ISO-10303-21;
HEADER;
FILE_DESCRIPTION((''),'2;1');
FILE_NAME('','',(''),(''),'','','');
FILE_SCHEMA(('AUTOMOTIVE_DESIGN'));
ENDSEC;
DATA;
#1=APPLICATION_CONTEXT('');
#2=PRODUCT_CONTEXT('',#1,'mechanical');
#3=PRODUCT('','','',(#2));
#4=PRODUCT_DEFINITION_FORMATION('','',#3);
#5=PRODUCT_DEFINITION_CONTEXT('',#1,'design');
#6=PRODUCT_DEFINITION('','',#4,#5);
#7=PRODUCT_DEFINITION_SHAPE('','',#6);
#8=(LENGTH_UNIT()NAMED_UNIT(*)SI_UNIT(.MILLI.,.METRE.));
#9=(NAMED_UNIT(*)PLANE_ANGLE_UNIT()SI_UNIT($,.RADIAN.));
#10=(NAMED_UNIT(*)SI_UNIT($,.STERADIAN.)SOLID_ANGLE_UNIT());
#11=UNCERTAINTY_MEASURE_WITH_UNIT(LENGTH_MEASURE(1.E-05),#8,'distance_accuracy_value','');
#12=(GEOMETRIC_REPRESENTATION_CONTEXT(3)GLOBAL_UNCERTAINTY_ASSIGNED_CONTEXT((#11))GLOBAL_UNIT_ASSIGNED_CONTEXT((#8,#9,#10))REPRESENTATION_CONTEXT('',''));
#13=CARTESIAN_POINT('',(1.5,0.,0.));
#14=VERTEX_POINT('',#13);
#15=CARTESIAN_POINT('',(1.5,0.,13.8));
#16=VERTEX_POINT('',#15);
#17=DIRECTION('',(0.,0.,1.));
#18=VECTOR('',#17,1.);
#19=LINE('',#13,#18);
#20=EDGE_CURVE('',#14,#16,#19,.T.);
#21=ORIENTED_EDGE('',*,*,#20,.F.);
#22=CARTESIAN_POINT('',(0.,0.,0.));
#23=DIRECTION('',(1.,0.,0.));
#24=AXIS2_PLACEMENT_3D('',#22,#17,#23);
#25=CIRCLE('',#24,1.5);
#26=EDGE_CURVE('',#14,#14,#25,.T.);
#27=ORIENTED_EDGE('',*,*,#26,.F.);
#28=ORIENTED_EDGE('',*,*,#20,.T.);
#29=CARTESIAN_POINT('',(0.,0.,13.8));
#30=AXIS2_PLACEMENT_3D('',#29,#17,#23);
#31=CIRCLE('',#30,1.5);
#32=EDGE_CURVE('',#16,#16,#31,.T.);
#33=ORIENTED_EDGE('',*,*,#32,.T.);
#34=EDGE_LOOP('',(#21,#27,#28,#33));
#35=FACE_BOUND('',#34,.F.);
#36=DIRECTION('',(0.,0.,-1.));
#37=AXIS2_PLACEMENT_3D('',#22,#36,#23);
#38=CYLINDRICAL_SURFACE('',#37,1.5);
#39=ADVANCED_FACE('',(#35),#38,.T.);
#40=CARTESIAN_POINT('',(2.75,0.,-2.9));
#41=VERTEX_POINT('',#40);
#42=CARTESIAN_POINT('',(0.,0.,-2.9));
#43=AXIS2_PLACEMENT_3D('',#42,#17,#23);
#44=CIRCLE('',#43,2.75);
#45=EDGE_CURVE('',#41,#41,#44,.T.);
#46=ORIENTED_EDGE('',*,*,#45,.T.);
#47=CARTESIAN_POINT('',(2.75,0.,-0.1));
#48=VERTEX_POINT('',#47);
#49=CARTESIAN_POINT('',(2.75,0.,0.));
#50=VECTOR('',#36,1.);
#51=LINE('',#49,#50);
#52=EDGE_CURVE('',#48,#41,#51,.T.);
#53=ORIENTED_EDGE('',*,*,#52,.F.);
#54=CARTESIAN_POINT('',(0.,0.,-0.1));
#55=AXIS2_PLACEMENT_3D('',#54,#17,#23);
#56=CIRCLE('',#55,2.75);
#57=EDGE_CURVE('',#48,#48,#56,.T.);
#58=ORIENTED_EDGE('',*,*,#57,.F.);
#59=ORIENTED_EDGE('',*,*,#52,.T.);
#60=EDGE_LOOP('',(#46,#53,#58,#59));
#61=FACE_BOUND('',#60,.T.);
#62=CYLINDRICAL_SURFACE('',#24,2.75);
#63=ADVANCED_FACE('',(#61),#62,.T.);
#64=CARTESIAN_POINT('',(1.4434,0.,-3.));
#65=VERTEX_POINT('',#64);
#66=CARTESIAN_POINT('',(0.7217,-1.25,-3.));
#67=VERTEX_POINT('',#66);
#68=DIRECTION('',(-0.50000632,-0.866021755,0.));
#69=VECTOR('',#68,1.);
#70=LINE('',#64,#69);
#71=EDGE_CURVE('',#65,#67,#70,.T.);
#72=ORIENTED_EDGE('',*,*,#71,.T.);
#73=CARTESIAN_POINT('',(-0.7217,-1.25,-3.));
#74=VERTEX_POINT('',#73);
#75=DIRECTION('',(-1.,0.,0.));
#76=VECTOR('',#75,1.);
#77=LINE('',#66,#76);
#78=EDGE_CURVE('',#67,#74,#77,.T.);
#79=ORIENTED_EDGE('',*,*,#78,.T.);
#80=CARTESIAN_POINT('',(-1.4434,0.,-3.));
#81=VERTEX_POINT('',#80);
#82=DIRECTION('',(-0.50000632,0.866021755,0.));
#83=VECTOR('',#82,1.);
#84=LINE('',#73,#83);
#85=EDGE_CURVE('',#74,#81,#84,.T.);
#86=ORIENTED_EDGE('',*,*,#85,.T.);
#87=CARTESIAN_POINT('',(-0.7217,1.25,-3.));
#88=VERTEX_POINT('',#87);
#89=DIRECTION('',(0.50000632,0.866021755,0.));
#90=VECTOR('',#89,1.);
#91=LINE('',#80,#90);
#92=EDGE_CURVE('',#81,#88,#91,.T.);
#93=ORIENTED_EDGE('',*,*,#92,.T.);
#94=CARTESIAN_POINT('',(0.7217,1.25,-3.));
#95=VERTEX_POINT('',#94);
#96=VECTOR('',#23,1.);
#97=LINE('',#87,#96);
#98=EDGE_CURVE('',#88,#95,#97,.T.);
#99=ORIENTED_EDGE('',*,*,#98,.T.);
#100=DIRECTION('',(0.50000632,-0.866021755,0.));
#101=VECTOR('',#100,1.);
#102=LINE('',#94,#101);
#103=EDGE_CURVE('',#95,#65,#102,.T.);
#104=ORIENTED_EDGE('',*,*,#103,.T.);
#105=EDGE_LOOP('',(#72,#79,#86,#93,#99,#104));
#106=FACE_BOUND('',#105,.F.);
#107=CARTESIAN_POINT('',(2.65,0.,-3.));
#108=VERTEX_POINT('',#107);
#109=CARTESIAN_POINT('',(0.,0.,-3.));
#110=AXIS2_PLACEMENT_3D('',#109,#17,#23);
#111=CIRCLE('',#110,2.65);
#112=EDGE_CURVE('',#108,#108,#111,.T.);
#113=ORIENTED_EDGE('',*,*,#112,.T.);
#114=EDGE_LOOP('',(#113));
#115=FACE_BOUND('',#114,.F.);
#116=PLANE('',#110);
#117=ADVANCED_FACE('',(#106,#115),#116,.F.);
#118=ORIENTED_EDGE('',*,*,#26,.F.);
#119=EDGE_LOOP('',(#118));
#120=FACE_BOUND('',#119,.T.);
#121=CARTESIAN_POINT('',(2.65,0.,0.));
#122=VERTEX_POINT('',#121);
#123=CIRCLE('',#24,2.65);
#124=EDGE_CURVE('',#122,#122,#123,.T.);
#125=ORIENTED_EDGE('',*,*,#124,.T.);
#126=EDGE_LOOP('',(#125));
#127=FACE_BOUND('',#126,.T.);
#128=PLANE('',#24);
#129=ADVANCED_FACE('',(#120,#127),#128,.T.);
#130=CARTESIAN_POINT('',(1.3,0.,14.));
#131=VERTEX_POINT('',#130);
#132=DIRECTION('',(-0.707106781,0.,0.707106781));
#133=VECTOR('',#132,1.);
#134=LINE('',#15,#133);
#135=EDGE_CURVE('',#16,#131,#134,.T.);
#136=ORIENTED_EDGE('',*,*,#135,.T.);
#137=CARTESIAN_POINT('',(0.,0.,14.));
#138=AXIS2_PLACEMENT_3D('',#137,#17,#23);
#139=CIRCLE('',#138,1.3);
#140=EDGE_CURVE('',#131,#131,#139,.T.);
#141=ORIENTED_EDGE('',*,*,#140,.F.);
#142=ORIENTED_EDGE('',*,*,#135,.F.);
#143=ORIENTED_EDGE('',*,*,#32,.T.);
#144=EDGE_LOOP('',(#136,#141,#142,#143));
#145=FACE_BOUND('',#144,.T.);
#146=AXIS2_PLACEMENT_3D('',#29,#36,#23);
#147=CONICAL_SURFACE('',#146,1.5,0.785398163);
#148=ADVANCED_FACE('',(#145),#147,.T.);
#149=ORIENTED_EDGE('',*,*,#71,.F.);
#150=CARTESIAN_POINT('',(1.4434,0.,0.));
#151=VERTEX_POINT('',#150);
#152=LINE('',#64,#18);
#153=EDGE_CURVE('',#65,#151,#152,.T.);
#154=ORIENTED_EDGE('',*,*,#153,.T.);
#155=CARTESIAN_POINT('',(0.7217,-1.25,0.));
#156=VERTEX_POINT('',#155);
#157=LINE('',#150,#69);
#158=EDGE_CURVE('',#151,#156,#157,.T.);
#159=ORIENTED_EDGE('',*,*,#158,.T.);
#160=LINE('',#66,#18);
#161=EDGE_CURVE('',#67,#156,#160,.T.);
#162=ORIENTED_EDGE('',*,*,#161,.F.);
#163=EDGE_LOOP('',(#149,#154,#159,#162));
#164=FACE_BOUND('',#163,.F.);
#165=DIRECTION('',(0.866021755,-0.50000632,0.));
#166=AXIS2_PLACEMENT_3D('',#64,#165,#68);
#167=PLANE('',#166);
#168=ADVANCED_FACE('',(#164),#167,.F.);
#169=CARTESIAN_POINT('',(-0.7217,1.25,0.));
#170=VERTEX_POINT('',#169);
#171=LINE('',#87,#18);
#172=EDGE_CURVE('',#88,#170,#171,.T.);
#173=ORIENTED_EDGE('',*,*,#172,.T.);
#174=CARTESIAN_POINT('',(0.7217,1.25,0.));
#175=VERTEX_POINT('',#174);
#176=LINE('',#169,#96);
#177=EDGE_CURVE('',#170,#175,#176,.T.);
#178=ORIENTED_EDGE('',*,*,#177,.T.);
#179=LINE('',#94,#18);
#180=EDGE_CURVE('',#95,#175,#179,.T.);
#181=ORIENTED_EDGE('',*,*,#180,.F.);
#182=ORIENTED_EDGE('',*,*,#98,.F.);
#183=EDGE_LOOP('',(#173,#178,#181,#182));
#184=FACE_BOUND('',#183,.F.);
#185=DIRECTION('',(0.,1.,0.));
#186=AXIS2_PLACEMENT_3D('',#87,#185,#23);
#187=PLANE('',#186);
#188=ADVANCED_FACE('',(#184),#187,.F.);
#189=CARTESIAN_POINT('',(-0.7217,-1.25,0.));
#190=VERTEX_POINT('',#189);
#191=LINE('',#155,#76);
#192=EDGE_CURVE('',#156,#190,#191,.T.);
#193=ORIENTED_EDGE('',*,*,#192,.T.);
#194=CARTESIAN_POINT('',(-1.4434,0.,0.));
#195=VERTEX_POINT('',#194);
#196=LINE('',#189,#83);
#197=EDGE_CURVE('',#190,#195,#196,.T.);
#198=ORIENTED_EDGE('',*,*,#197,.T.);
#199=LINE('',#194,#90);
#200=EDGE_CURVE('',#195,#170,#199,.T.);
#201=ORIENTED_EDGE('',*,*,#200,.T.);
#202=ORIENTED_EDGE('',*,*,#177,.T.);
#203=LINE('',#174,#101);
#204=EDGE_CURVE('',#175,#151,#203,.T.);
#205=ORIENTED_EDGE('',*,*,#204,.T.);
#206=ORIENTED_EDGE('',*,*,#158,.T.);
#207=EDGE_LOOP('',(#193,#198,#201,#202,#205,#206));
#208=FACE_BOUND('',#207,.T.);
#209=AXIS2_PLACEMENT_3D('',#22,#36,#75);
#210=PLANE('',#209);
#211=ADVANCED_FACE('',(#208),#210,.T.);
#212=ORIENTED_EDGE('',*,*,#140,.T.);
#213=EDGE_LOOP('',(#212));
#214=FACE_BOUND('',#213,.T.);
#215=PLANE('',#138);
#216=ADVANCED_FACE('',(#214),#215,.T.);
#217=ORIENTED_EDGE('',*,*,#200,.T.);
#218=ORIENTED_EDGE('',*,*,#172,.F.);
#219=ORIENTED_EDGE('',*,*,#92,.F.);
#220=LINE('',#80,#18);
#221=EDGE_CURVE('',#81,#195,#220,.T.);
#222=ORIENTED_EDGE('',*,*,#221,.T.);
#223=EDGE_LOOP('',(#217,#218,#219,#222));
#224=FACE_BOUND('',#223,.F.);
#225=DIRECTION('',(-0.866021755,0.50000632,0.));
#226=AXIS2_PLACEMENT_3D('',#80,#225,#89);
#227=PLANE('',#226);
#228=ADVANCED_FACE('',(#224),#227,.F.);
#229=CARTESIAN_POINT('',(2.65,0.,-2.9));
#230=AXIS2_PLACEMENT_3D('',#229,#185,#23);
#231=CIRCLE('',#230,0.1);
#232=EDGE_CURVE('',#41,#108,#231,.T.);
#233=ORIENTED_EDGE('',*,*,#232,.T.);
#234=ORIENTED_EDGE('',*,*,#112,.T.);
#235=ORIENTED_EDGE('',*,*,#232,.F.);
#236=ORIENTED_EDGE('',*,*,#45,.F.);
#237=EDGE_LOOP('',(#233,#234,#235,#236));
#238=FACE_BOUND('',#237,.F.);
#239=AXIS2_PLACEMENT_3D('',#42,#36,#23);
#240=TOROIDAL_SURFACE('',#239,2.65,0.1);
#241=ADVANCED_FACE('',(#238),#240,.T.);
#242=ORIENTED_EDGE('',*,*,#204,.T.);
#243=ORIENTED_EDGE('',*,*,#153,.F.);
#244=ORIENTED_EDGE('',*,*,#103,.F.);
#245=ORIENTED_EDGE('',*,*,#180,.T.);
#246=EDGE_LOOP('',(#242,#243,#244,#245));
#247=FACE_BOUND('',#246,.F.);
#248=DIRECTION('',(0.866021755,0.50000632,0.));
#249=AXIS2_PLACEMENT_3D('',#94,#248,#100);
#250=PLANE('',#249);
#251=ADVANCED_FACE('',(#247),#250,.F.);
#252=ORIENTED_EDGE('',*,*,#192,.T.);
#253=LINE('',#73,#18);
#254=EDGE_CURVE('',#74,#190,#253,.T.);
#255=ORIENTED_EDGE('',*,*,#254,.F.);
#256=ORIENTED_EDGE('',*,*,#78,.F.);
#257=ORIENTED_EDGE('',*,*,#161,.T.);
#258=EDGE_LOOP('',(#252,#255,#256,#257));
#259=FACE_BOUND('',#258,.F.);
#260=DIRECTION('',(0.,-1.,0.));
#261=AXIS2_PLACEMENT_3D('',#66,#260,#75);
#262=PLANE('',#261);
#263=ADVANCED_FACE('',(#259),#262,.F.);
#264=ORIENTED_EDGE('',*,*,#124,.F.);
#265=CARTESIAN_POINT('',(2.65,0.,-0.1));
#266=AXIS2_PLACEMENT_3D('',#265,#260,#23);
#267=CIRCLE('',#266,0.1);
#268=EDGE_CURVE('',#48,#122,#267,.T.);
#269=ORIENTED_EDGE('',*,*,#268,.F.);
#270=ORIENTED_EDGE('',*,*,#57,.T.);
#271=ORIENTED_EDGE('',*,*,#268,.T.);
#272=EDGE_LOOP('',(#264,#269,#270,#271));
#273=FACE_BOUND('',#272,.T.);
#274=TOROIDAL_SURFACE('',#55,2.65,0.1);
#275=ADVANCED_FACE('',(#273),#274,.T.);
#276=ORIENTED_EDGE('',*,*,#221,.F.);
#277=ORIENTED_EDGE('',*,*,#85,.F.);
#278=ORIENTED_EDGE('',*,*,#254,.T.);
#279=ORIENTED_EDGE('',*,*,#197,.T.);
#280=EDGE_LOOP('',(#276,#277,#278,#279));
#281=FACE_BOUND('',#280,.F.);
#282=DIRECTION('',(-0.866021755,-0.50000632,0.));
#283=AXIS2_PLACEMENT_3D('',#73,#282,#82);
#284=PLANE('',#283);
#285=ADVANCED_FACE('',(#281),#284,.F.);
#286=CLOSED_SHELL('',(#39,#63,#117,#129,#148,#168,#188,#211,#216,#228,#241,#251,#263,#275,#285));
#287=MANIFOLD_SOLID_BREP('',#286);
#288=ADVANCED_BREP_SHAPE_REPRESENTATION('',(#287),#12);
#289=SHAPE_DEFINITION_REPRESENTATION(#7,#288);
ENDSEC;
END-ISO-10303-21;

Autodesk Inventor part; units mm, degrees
ref_plane "YZ Plane" through (0, 0, 0) normal (1, 0, 0) x (0, 1, 0)
ref_plane "XZ Plane" through (0, 0, 0) normal (0, 1, 0) x (-1, 0, 0)
ref_plane "XY Plane" through (0, 0, 0) normal (0, 0, 1) x (1, 0, 0)
sketch "Sketch1" plane through (0, 0, 0) normal (0, 0, 1) x (1, 0, 0)
  circle A0 centre (0, 0) radius 2.75
extrude "Extrusion3" add sketch "Sketch1" against normal blind 3
sketch "Sketch2" plane through (0, 0, 0) normal (0, 0, 1) x (1, 0, 0)
  circle A0 centre (0, 0) radius 1.5
extrude "Extrusion2" add sketch "Sketch2" along normal blind 14
sketch "Sketch3" plane through (0, 0, -3) normal (0, 0, -1) x (-1, 0, 0)
  line L0 (-0.7217, 1.25) -> (-1.4434, 0)
  line L1 (0.7217, -1.25) -> (1.4434, 0)
  line L2 (1.4434, 0) -> (0.7217, 1.25)
  line L3 (-1.4434, 0) -> (-0.7217, -1.25)
  line L4 (0.7217, 1.25) -> (-0.7217, 1.25)
  line L5 (-0.7217, -1.25) -> (0.7217, -1.25)
extrude "Extrusion1" cut sketch "Sketch3" against normal blind 3
fillet "Fillet2" radius 0.1 1 edges at (-2.75, 0, -3)
fillet "Fillet1" radius 0.1 1 edges at (-2.75, 0, 0)
chamfer "Chamfer1" distance 0.2 angle 45 1 edges at (-1.5, 0, 14)
properties part number "DIN 912 M3 12 mm"
